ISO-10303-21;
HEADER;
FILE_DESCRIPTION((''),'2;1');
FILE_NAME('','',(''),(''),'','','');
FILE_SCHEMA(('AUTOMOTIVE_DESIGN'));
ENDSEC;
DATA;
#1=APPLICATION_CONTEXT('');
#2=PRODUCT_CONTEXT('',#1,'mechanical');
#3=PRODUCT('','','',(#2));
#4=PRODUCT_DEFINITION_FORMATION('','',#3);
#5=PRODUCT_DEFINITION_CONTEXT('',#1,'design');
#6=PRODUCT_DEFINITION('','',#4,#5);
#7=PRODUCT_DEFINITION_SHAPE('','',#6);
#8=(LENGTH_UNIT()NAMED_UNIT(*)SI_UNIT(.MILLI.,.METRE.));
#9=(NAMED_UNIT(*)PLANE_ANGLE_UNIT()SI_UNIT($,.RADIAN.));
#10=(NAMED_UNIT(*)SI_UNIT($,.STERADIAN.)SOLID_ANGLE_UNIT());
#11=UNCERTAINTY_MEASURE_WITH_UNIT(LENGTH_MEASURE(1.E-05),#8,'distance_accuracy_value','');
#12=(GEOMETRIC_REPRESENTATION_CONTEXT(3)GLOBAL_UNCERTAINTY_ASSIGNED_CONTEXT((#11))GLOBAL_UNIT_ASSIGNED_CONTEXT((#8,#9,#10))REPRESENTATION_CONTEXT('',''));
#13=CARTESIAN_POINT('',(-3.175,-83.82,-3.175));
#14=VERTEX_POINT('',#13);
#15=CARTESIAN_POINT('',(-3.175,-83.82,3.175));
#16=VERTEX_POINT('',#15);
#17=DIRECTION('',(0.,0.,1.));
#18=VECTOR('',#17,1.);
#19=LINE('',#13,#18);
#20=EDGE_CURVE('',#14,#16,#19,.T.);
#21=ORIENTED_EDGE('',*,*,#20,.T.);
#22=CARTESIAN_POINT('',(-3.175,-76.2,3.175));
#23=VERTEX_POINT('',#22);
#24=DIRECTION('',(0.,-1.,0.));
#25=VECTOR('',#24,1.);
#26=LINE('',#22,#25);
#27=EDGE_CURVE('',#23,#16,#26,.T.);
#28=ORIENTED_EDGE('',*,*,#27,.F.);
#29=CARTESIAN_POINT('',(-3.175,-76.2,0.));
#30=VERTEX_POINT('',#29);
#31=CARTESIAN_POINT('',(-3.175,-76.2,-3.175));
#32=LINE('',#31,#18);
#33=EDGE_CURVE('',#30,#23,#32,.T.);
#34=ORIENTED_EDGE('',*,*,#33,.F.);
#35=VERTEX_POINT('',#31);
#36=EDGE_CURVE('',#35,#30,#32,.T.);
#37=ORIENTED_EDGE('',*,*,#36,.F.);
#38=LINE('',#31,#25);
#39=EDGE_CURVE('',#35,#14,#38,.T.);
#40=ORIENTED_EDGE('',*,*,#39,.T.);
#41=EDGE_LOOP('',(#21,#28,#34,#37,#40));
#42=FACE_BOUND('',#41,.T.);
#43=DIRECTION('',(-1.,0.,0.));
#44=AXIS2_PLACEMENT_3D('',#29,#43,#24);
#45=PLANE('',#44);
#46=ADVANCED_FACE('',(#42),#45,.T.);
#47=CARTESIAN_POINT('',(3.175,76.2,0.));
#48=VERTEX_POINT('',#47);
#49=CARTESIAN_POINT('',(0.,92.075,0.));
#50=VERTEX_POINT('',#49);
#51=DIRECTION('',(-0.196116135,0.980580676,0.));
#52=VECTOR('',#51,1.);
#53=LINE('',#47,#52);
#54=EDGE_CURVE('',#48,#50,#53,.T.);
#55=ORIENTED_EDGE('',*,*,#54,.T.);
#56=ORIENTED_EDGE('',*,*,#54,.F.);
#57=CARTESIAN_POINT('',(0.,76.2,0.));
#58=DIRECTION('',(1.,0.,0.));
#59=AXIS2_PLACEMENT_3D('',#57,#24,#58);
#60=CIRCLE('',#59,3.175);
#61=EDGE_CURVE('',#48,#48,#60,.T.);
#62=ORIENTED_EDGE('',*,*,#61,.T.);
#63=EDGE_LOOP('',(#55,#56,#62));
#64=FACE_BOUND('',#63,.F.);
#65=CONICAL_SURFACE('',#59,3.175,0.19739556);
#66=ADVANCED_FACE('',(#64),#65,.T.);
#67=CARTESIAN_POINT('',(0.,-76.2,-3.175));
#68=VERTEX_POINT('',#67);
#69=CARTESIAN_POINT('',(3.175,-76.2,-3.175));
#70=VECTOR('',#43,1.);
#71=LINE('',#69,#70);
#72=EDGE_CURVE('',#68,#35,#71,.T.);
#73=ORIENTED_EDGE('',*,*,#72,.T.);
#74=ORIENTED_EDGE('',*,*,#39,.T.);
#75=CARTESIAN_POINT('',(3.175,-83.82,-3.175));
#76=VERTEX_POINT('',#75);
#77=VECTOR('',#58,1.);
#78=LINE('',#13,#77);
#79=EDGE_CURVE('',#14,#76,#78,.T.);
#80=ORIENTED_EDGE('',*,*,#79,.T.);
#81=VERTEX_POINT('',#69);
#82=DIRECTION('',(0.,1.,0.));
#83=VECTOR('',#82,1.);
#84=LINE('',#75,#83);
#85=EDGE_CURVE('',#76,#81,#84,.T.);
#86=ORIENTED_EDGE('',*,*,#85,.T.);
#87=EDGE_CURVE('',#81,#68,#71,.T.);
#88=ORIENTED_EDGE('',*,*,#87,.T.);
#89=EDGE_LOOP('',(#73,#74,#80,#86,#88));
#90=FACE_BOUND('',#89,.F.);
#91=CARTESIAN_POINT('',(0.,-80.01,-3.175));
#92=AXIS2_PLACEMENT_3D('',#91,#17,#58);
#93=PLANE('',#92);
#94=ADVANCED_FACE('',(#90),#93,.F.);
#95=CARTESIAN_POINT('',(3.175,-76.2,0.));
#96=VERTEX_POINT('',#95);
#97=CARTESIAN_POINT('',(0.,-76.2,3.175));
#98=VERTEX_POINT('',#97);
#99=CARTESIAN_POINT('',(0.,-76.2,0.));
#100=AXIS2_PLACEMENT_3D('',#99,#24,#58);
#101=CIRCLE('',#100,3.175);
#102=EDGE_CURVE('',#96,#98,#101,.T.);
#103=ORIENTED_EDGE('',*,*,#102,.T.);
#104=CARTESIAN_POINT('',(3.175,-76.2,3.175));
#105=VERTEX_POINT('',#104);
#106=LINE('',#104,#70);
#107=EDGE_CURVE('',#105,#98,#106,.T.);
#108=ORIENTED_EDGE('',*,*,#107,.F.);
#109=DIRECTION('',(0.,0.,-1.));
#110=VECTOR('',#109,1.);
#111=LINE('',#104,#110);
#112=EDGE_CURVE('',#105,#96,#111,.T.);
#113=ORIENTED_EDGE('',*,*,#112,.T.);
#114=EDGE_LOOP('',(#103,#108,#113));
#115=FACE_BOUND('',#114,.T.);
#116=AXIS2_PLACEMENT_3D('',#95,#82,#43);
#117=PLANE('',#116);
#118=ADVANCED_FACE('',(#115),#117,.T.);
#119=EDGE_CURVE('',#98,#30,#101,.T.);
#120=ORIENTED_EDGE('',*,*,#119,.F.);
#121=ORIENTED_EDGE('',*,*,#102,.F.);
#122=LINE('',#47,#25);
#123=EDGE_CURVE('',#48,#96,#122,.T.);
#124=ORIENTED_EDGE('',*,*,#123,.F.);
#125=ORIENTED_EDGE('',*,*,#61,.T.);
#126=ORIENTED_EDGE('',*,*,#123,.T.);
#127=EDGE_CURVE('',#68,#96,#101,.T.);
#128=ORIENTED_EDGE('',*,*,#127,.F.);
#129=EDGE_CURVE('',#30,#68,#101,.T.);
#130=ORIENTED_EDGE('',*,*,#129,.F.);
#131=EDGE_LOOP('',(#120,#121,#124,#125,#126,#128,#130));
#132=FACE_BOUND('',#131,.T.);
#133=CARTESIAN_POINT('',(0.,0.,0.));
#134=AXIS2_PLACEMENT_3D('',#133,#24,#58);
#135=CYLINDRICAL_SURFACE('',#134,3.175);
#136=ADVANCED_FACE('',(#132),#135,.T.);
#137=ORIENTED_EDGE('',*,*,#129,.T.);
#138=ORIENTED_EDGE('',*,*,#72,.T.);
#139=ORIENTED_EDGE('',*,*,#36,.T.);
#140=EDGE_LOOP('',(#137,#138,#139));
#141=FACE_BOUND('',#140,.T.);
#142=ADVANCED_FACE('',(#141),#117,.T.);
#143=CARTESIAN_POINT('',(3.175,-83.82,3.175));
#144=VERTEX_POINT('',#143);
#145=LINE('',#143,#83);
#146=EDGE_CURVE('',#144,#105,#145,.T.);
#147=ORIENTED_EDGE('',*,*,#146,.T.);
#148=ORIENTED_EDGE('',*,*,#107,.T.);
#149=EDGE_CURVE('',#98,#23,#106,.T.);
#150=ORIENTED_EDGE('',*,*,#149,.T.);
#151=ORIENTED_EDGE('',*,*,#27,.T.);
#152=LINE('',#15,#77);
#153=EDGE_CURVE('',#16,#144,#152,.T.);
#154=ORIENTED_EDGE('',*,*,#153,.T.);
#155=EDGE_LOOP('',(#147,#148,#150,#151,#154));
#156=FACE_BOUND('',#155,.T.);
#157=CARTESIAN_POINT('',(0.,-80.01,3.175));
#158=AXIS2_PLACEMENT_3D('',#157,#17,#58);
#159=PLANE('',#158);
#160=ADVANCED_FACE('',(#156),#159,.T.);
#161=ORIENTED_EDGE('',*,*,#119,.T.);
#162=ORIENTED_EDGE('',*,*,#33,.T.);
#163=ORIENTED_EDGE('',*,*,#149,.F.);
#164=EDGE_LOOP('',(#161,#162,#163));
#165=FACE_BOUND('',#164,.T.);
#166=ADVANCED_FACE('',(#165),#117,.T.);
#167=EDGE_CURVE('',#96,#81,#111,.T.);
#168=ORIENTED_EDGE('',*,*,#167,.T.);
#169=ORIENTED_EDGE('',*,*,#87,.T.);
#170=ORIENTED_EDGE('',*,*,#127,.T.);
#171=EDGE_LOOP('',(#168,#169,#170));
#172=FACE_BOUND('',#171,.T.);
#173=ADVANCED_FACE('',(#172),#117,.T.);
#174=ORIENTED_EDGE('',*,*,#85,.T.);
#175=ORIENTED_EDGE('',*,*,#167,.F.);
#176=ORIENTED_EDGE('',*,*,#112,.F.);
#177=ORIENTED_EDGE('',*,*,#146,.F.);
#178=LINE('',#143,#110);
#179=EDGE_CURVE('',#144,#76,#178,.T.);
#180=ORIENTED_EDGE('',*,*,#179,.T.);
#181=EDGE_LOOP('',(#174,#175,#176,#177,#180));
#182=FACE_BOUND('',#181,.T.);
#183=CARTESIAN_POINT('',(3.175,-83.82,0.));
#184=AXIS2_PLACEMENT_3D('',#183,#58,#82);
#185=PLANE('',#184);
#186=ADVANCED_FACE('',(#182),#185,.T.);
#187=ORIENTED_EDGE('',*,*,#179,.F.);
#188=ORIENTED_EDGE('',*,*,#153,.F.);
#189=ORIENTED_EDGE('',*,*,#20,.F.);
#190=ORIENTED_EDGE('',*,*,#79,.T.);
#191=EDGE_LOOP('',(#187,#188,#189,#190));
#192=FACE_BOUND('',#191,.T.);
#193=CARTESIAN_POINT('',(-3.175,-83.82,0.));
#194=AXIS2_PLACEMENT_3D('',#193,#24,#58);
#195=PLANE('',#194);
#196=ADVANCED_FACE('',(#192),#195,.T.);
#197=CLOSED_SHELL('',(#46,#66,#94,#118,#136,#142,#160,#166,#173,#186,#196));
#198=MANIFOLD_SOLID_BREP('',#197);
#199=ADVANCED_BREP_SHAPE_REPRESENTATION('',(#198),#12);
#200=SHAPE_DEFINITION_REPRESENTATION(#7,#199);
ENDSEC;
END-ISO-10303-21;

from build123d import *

# Parameters (mm, degrees)
F0_R     = 3.175
F1_DEPTH = 76.2
F5_DEPTH = 3.175


with BuildPart() as f1:
    # F0 (on Front) → F1 (new body, symmetric)
    with BuildSketch(Plane.XZ):
        Circle(F0_R)
    extrude(amount=F1_DEPTH, both=True)

    # F2 (on Top) → F3 (revolve)
    with BuildSketch(Plane.XY):
        Polygon((0, 92.075), (0, 76.2), (3.175, 76.2), align=None)
    revolve(axis=Axis((0, 84.1375, 0), (0, -1, 0)))

    # F4 (on Top) → F5 (join, symmetric)
    with BuildSketch(Plane.XY):
        Polygon((3.175, -76.2), (0, -76.2), (-3.175, -76.2), (-3.175, -83.82), (3.175, -83.82), align=None)
    extrude(amount=F5_DEPTH, both=True)


solid = f1.part
